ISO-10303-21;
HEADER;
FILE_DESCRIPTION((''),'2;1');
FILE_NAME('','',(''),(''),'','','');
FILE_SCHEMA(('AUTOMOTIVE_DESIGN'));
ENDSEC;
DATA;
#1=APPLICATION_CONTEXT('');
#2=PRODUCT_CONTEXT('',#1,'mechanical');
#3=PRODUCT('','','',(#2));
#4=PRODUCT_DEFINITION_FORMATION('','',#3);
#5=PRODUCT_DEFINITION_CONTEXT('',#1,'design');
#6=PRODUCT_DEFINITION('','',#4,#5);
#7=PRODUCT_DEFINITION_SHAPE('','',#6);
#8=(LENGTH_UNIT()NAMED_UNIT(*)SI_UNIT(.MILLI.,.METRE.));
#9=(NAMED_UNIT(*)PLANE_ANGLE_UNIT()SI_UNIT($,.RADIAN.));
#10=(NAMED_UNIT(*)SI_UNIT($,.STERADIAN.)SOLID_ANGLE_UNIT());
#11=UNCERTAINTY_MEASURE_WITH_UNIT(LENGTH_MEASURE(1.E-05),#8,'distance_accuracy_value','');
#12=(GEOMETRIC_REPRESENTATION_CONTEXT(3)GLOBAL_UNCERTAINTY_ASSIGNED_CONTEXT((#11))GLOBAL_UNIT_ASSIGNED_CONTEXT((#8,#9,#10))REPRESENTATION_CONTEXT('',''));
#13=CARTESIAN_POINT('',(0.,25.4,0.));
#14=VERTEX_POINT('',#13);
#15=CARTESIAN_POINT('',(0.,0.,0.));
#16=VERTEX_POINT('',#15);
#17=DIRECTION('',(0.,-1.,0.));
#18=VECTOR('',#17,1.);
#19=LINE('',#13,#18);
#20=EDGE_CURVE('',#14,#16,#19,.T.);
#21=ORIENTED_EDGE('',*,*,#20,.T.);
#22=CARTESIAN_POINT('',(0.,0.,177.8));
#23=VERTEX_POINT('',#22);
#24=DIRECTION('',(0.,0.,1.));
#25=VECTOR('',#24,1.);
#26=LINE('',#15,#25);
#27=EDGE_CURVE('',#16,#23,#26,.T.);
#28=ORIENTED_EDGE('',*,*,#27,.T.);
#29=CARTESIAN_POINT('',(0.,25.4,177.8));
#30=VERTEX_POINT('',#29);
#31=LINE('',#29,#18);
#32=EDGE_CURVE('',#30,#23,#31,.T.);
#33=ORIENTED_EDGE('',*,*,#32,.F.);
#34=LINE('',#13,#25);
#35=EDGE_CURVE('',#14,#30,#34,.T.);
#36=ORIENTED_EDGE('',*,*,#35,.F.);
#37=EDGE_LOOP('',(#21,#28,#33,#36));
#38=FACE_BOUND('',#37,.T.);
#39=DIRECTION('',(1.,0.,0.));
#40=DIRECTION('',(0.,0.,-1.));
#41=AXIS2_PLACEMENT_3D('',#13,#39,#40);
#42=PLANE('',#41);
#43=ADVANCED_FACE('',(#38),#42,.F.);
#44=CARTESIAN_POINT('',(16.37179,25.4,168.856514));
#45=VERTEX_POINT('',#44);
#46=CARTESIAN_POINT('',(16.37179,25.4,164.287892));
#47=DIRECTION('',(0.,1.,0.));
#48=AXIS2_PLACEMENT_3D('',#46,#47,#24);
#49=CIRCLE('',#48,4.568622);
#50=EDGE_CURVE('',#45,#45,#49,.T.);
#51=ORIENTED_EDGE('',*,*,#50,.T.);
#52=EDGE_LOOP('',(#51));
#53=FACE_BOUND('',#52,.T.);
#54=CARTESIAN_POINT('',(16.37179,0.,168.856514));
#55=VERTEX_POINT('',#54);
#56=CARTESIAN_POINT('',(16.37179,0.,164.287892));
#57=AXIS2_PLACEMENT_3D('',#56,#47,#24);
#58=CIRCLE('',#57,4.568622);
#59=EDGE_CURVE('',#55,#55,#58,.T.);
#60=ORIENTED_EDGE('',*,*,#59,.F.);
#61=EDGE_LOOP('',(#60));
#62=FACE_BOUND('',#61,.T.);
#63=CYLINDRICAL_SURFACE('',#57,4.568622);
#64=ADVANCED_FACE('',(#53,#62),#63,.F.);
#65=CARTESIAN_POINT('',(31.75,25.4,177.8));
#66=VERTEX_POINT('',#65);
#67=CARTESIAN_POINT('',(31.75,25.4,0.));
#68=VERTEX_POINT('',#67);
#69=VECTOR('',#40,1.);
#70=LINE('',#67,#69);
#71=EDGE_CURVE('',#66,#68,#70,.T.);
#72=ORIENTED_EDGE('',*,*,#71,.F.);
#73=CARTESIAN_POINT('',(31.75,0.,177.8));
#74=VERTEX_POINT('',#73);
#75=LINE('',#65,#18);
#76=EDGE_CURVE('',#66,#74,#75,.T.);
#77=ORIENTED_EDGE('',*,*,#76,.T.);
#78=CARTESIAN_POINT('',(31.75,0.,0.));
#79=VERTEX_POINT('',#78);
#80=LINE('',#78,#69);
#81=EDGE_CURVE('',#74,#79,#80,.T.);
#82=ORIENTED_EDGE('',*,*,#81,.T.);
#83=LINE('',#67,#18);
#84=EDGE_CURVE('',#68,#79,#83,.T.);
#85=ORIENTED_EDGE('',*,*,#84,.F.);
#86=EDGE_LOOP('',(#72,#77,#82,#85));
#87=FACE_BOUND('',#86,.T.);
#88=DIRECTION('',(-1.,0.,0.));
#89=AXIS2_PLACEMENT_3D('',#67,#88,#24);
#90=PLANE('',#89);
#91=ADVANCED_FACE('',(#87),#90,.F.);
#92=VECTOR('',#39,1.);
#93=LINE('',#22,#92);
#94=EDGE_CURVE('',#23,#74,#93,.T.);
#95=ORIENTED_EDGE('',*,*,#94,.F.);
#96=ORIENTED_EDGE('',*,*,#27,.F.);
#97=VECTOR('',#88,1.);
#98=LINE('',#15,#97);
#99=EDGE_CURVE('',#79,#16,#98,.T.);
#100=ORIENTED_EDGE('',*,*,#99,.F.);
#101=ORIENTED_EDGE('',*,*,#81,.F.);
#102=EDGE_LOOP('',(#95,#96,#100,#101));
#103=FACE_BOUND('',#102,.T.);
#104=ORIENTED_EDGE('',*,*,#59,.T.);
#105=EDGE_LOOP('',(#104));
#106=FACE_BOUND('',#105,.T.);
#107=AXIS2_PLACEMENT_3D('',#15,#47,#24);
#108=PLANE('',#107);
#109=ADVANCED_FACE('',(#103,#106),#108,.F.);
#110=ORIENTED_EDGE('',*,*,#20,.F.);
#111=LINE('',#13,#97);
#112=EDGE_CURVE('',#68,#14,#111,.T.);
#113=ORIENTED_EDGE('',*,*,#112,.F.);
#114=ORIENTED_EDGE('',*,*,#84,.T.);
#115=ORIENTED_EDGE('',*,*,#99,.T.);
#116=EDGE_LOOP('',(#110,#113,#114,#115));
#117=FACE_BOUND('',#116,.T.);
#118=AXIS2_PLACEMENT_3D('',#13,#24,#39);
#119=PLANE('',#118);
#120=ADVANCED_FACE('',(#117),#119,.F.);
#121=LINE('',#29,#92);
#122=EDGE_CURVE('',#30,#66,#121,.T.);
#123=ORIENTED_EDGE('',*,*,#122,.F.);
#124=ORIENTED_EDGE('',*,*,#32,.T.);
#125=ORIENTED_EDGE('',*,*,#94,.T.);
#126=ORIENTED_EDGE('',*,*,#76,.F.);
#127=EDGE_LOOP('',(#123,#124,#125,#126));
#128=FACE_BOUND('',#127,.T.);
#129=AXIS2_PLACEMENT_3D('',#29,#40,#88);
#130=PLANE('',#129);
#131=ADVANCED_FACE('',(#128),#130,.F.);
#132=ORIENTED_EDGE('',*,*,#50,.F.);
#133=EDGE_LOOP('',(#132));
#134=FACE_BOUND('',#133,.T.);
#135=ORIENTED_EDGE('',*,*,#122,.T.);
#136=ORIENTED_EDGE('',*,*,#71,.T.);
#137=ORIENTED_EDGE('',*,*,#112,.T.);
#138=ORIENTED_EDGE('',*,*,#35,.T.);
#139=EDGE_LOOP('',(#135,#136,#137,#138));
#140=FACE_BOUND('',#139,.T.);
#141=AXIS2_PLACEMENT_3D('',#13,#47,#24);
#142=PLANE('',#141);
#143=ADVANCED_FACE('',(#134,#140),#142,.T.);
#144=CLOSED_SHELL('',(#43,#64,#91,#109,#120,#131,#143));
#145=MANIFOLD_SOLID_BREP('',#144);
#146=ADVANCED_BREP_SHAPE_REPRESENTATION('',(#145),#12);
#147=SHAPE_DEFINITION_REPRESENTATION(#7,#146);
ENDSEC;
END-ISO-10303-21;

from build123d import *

# Parameters (mm, degrees)
SKETCH1_W           = 31.75
SKETCH1_H           = 177.8
BOSS_EXTRUDE1_DEPTH = 25.4
SKETCH2_R           = 4.568621672
CUT_EXTRUDE1_DEPTH  = 25.4


with BuildPart() as part:
    # Sketch1 → Boss-Extrude1 (new body)
    with BuildSketch(Plane(origin=(0, 0, 0), x_dir=(1, 0, 0), z_dir=(0, 1, 0))):
        with Locations((15.875, -88.9)):
            Rectangle(SKETCH1_W, SKETCH1_H)
    extrude(amount=BOSS_EXTRUDE1_DEPTH)

    # Sketch2 → Cut-Extrude1 (cut)
    with BuildSketch(Plane(origin=(0, 25.4, 0), x_dir=(1, 0, 0), z_dir=(0, 1, 0))):
        with Locations(Location((16.371790065, -164.287892401, 0), (0, 0, 270))):
            Circle(SKETCH2_R)
    extrude(amount=-CUT_EXTRUDE1_DEPTH, mode=Mode.SUBTRACT)


solid = part.part
